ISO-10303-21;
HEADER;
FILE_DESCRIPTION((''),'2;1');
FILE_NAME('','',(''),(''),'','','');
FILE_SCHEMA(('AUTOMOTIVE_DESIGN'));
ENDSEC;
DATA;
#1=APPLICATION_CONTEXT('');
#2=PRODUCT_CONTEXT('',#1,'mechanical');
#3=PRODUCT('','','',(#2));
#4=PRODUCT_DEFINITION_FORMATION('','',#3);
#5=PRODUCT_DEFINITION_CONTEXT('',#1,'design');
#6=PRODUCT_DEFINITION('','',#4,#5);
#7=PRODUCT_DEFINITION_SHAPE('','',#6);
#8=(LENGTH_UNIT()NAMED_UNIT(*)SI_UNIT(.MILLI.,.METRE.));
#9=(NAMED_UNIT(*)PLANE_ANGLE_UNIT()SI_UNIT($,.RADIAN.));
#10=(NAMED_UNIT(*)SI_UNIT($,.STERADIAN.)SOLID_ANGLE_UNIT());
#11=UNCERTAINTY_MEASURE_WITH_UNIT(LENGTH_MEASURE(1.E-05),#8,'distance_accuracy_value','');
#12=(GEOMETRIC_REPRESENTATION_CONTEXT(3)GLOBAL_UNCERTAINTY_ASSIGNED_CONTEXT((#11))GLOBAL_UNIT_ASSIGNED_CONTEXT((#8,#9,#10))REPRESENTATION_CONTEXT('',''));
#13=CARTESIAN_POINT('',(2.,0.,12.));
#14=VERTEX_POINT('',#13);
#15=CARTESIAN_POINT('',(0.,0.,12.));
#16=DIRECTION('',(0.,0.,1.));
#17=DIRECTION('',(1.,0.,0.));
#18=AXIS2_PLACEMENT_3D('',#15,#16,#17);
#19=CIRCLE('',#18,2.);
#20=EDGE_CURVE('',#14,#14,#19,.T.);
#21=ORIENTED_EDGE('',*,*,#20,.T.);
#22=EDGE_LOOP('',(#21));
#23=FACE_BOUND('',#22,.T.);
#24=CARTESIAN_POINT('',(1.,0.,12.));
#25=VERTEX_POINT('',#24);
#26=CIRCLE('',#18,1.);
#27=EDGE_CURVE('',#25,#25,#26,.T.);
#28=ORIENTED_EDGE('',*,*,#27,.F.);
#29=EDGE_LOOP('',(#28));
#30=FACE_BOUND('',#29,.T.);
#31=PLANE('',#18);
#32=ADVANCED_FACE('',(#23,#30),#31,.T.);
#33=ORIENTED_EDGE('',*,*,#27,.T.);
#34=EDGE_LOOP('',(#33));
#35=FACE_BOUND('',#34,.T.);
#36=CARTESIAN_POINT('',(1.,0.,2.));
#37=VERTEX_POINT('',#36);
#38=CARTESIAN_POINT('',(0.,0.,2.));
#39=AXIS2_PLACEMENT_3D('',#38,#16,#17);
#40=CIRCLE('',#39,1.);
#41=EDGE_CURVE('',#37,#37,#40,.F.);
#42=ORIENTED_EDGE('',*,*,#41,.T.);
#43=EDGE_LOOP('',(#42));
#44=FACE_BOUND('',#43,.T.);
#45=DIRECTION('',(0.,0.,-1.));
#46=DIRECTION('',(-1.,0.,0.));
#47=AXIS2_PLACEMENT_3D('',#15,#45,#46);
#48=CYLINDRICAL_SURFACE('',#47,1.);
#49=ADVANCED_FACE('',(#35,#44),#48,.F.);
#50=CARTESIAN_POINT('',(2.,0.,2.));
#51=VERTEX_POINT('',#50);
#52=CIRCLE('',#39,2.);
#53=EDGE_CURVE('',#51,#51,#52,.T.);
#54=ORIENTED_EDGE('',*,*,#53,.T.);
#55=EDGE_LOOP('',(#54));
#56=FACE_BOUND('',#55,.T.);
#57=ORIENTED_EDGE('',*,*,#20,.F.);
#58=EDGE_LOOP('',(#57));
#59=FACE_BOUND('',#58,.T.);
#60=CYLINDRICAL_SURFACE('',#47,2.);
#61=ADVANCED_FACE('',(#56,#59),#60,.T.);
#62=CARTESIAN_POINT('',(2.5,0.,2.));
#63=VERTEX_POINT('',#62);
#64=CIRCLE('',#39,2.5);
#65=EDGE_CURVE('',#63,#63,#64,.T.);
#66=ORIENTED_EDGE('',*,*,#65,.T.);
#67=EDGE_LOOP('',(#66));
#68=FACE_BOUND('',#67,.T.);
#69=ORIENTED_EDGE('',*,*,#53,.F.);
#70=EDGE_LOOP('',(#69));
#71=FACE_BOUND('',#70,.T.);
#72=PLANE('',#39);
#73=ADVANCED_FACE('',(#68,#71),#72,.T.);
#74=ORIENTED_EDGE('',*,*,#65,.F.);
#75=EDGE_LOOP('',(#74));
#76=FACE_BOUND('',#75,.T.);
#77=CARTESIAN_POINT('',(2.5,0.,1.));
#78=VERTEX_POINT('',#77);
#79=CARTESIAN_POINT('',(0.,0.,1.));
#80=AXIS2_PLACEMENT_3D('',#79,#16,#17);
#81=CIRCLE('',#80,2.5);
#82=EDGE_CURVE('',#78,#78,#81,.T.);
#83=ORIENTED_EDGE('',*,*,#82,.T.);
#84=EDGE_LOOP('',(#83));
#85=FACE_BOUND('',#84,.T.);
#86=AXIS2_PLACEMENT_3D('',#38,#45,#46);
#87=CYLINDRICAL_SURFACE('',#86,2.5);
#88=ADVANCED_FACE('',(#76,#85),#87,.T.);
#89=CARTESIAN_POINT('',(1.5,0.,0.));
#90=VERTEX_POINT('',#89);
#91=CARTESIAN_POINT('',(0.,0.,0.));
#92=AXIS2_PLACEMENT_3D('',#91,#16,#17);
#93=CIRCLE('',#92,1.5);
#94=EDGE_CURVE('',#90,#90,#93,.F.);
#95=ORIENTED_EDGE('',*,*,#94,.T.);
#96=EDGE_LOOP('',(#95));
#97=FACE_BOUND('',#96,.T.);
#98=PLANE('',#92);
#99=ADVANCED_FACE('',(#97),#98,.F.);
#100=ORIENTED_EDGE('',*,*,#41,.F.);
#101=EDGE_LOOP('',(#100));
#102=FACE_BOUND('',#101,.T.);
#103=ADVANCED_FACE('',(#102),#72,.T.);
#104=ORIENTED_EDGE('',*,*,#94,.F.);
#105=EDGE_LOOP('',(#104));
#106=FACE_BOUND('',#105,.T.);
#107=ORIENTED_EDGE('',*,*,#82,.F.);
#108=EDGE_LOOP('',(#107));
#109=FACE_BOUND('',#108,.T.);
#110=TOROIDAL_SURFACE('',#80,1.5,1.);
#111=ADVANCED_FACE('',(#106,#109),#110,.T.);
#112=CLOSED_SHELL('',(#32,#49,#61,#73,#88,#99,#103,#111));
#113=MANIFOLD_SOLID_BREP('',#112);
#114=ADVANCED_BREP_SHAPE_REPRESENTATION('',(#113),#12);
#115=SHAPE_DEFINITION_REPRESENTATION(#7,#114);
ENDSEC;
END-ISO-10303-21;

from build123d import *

# Parameters (mm, degrees)
ESQUISSE1_R        = 2.5
BOSS_EXTRU_1_DEPTH = 2
ESQUISSE2_R        = 2
ESQUISSE2_R_2      = 1
BOSS_EXTRU_2_DEPTH = 10
CONG_1_R           = 1


with BuildPart() as part:
    # Esquisse1 → Boss.-Extru.1 (new body)
    with BuildSketch(Plane.XY):
        Circle(ESQUISSE1_R)
    extrude(amount=BOSS_EXTRU_1_DEPTH)

    # Esquisse2 → Boss.-Extru.2 (add)
    with BuildSketch(Plane.XY.offset(2)):
        Circle(ESQUISSE2_R)
        Circle(ESQUISSE2_R_2, mode=Mode.SUBTRACT)
    extrude(amount=BOSS_EXTRU_2_DEPTH)

    # Congé1
    cong_1_edges = [part.edges().sort_by_distance(p)[0] for p in [
        (-2.5, 0, 0),
    ]]
    fillet(cong_1_edges, radius=CONG_1_R)


solid = part.part
